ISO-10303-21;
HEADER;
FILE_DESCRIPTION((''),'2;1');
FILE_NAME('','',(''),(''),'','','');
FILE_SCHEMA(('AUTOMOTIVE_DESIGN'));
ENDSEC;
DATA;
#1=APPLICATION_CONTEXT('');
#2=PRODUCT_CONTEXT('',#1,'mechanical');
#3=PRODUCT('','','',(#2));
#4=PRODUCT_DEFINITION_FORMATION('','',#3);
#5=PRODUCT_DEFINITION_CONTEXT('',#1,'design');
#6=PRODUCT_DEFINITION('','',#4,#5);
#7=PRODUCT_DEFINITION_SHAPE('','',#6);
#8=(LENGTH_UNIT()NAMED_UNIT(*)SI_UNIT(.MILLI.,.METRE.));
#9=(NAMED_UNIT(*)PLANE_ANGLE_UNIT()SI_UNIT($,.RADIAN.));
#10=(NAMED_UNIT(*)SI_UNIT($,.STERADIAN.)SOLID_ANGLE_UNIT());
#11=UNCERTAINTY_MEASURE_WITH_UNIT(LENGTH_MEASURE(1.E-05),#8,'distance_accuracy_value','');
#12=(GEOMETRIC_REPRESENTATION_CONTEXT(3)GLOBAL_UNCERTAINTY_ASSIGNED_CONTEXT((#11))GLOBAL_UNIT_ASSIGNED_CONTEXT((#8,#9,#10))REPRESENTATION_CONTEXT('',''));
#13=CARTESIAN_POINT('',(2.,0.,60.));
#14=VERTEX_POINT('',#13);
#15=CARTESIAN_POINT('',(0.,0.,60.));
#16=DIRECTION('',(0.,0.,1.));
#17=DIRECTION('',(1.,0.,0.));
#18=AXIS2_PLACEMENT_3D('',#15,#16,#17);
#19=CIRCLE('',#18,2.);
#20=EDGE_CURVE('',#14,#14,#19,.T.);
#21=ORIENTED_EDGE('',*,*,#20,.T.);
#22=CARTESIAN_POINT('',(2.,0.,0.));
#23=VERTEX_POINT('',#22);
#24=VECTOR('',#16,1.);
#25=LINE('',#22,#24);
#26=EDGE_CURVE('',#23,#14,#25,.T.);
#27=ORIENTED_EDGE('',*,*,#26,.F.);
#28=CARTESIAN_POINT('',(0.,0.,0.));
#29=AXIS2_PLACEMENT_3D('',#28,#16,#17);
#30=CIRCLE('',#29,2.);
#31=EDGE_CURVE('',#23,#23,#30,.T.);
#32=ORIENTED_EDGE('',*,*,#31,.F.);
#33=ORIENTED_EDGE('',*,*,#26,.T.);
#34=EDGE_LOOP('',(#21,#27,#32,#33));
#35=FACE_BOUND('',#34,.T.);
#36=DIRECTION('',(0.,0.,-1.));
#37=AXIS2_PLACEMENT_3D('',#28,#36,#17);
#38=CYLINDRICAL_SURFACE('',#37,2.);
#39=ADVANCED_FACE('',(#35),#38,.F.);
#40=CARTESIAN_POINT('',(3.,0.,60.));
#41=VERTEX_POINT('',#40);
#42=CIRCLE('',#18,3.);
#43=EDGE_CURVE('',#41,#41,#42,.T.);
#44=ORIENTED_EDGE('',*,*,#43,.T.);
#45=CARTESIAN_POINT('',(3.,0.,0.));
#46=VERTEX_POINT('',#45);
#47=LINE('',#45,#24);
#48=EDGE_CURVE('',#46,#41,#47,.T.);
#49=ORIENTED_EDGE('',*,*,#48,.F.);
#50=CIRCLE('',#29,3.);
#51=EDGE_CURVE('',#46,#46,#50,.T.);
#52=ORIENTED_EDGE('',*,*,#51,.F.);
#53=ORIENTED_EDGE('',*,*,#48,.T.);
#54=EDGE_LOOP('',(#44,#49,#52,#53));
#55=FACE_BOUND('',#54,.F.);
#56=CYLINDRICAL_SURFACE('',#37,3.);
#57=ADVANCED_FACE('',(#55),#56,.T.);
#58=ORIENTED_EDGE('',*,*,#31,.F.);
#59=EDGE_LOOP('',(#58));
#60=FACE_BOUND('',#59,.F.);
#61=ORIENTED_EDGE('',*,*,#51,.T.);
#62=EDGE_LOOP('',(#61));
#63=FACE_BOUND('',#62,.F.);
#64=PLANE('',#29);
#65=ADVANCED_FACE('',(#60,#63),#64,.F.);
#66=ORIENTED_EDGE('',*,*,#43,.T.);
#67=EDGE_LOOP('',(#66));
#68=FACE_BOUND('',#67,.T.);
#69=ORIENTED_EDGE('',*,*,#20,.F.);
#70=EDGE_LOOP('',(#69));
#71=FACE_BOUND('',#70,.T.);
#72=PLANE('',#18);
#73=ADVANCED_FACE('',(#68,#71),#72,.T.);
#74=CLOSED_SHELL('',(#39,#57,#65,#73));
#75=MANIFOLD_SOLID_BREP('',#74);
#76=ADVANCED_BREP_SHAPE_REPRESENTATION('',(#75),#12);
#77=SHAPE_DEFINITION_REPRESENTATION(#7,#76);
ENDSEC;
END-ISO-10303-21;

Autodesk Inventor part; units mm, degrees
ref_plane "YZ Plane" through (0, 0, 0) normal (1, 0, 0) x (0, 1, 0)
ref_plane "XZ Plane" through (0, 0, 0) normal (0, 1, 0) x (-1, 0, 0)
ref_plane "XY Plane" through (0, 0, 0) normal (0, 0, 1) x (1, 0, 0)
sketch "スケッチ1" plane through (0, 0, 0) normal (0, 0, 1) x (1, 0, 0)
  circle A0 centre (0, 0) radius 3
  circle A1 centre (0, 0) radius 2
  dimension "d0" = 6
  dimension "d1" = 4
extrude "押し出し1" add sketch "スケッチ1" along normal blind 60
properties part number "poll_6_4_60"
